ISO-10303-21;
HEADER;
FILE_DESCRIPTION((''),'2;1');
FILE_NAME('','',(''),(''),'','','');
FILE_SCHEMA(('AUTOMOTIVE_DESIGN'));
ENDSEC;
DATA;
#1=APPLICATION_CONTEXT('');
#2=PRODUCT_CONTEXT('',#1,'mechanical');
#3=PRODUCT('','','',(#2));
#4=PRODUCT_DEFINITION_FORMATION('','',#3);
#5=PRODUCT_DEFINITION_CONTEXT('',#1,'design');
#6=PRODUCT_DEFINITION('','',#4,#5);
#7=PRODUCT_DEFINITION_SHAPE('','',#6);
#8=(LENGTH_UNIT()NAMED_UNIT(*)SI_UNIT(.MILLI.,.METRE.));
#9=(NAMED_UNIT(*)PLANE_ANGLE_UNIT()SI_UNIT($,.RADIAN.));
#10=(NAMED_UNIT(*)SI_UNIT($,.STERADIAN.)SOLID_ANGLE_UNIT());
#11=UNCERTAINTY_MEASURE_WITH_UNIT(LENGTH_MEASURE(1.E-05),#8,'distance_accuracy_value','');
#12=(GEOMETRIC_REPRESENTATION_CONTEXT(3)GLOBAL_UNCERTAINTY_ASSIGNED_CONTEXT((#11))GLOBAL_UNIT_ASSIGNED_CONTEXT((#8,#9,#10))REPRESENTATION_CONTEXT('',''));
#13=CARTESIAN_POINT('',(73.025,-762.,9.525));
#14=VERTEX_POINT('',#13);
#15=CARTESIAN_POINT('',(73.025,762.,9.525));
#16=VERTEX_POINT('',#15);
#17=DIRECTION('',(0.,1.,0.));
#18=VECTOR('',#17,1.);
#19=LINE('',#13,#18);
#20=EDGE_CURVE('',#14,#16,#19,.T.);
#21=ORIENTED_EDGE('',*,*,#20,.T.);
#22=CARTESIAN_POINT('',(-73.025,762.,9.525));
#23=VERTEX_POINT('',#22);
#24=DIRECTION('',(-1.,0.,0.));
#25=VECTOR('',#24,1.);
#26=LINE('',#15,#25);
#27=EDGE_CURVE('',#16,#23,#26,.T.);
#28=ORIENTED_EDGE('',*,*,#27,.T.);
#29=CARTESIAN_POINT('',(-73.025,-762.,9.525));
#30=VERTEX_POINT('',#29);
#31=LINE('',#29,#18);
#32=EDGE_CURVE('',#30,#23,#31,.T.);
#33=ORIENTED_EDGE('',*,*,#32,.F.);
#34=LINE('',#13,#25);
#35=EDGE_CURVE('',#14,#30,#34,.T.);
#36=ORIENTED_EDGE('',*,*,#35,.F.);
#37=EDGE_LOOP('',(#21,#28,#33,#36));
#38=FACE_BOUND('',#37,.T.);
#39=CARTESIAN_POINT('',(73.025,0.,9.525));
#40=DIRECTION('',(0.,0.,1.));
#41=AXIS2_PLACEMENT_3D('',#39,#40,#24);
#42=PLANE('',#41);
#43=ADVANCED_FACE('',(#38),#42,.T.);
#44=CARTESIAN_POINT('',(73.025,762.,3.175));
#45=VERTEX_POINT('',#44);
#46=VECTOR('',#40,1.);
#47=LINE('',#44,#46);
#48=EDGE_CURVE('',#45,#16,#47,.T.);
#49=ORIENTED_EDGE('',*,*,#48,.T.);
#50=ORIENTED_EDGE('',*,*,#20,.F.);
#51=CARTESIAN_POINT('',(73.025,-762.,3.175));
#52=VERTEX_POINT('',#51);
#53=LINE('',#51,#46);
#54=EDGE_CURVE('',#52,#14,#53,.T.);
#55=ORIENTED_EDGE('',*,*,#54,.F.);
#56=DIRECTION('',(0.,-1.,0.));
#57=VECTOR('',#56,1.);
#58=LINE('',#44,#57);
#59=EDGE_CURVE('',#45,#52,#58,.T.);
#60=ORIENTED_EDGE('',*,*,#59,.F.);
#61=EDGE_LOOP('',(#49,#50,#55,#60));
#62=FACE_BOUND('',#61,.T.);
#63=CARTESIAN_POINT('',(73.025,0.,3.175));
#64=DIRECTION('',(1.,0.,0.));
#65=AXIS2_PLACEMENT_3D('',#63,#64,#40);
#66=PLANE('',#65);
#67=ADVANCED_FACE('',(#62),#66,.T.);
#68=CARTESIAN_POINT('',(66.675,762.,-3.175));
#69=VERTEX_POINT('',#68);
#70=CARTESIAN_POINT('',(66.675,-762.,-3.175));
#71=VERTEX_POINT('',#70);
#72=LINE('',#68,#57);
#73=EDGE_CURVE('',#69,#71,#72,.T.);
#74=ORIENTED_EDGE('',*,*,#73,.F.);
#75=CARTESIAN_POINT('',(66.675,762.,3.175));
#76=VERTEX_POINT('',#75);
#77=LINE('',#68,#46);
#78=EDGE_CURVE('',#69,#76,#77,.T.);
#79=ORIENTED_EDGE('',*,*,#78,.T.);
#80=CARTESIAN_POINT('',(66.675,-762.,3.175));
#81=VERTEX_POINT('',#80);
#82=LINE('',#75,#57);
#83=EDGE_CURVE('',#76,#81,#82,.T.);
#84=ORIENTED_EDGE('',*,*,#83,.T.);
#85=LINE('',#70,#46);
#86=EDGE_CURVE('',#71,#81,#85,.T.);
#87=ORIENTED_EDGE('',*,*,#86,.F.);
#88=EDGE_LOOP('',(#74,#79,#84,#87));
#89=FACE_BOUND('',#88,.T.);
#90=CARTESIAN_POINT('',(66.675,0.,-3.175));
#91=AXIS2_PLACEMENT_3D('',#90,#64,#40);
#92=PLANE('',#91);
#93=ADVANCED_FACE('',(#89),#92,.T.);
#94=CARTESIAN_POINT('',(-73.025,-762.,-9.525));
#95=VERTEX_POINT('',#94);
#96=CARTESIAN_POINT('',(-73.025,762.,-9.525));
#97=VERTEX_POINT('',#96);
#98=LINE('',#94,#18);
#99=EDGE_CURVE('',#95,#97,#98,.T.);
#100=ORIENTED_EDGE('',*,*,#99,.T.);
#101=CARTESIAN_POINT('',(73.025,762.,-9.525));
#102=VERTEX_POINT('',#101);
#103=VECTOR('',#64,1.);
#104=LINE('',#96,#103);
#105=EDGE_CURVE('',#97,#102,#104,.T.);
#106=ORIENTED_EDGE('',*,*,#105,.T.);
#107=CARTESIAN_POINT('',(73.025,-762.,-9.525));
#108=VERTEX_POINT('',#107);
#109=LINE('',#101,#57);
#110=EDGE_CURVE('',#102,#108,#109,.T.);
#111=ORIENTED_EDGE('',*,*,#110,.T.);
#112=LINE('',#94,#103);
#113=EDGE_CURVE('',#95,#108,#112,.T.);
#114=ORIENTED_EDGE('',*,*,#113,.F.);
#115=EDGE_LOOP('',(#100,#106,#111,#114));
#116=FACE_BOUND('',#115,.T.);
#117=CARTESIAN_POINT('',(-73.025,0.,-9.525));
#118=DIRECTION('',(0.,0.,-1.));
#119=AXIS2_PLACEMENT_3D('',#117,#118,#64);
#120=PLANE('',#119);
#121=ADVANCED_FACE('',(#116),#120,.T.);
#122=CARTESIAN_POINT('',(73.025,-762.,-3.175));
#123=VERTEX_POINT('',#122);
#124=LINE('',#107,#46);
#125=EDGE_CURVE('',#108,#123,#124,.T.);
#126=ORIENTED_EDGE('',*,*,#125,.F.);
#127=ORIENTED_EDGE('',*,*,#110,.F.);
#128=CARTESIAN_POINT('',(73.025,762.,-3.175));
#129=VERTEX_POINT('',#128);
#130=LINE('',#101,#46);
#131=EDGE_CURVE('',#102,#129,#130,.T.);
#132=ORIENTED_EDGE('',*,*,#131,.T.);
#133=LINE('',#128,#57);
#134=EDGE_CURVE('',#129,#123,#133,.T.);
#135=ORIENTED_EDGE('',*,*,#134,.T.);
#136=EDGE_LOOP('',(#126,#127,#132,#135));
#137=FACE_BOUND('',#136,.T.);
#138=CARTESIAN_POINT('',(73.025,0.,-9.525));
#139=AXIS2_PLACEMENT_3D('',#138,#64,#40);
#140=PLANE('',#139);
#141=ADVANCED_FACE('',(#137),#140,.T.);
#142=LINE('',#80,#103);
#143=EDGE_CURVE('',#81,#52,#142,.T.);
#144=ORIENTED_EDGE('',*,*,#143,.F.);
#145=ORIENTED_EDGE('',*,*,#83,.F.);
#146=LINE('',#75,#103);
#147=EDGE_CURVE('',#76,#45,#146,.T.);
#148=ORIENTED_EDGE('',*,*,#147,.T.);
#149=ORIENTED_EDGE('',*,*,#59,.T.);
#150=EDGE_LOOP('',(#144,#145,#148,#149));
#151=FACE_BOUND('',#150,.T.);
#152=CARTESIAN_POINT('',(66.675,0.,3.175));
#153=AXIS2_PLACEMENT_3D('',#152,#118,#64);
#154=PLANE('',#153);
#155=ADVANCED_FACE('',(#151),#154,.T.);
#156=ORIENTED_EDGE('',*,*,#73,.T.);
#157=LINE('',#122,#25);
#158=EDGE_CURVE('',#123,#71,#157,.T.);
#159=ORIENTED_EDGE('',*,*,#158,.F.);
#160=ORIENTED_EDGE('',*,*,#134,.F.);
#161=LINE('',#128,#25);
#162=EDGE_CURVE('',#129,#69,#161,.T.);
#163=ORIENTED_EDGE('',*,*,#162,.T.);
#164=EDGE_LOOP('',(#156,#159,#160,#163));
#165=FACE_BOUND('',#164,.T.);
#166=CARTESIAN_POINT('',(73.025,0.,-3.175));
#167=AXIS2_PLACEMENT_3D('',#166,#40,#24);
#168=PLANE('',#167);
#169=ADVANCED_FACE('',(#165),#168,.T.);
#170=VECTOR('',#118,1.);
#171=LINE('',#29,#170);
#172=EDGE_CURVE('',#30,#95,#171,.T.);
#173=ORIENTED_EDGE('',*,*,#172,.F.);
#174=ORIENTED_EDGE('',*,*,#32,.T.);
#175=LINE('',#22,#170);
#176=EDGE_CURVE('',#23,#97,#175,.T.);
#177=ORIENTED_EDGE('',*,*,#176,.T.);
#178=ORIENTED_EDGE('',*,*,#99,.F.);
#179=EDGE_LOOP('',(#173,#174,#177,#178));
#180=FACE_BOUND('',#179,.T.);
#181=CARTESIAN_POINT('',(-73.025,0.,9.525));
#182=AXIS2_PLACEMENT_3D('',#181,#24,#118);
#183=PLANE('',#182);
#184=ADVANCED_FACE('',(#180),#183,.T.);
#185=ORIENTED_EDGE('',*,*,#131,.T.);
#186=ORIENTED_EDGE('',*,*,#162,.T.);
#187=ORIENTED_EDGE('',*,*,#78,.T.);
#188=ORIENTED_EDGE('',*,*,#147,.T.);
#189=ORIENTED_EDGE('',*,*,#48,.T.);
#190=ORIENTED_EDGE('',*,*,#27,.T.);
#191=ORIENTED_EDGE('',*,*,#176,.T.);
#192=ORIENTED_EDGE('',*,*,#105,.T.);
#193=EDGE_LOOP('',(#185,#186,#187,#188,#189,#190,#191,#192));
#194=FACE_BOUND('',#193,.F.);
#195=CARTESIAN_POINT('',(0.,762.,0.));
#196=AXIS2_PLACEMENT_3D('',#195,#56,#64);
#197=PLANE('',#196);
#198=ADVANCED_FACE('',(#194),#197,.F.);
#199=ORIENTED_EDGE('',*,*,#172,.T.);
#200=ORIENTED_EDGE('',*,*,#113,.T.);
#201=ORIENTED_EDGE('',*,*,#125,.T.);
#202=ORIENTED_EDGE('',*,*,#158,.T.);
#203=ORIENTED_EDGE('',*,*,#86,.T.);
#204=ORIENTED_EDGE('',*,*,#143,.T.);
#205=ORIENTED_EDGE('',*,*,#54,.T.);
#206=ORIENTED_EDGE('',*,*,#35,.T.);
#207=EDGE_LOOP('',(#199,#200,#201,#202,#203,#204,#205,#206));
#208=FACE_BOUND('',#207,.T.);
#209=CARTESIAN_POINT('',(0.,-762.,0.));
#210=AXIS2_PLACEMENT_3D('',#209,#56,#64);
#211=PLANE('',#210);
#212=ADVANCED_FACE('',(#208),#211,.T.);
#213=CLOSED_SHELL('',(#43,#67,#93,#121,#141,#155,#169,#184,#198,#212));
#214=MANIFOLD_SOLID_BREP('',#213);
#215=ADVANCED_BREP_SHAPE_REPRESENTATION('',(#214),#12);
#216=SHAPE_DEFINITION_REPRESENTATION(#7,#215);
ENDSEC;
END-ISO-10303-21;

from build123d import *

# Parameters (mm, degrees)
F0_W     = 6.35
F0_H     = 6.35
F1_DEPTH = 762


with BuildPart() as f1:
    # F0 (on Front) → F1 (new body, symmetric)
    with BuildSketch(Plane.XZ):
        Polygon((-73.025, -3.175), (-73.025, -9.525), (73.025, -9.525), (73.025, -3.175), (66.675, -3.175), (66.675, 3.175), (73.025, 3.175), (73.025, 9.525), (-73.025, 9.525), (-73.025, 3.175), (-66.675, 3.175), (-66.675, -3.175), align=None)
        with Locations((-69.85, 0)):
            Rectangle(F0_W, F0_H)
    extrude(amount=F1_DEPTH, both=True)


solid = f1.part
